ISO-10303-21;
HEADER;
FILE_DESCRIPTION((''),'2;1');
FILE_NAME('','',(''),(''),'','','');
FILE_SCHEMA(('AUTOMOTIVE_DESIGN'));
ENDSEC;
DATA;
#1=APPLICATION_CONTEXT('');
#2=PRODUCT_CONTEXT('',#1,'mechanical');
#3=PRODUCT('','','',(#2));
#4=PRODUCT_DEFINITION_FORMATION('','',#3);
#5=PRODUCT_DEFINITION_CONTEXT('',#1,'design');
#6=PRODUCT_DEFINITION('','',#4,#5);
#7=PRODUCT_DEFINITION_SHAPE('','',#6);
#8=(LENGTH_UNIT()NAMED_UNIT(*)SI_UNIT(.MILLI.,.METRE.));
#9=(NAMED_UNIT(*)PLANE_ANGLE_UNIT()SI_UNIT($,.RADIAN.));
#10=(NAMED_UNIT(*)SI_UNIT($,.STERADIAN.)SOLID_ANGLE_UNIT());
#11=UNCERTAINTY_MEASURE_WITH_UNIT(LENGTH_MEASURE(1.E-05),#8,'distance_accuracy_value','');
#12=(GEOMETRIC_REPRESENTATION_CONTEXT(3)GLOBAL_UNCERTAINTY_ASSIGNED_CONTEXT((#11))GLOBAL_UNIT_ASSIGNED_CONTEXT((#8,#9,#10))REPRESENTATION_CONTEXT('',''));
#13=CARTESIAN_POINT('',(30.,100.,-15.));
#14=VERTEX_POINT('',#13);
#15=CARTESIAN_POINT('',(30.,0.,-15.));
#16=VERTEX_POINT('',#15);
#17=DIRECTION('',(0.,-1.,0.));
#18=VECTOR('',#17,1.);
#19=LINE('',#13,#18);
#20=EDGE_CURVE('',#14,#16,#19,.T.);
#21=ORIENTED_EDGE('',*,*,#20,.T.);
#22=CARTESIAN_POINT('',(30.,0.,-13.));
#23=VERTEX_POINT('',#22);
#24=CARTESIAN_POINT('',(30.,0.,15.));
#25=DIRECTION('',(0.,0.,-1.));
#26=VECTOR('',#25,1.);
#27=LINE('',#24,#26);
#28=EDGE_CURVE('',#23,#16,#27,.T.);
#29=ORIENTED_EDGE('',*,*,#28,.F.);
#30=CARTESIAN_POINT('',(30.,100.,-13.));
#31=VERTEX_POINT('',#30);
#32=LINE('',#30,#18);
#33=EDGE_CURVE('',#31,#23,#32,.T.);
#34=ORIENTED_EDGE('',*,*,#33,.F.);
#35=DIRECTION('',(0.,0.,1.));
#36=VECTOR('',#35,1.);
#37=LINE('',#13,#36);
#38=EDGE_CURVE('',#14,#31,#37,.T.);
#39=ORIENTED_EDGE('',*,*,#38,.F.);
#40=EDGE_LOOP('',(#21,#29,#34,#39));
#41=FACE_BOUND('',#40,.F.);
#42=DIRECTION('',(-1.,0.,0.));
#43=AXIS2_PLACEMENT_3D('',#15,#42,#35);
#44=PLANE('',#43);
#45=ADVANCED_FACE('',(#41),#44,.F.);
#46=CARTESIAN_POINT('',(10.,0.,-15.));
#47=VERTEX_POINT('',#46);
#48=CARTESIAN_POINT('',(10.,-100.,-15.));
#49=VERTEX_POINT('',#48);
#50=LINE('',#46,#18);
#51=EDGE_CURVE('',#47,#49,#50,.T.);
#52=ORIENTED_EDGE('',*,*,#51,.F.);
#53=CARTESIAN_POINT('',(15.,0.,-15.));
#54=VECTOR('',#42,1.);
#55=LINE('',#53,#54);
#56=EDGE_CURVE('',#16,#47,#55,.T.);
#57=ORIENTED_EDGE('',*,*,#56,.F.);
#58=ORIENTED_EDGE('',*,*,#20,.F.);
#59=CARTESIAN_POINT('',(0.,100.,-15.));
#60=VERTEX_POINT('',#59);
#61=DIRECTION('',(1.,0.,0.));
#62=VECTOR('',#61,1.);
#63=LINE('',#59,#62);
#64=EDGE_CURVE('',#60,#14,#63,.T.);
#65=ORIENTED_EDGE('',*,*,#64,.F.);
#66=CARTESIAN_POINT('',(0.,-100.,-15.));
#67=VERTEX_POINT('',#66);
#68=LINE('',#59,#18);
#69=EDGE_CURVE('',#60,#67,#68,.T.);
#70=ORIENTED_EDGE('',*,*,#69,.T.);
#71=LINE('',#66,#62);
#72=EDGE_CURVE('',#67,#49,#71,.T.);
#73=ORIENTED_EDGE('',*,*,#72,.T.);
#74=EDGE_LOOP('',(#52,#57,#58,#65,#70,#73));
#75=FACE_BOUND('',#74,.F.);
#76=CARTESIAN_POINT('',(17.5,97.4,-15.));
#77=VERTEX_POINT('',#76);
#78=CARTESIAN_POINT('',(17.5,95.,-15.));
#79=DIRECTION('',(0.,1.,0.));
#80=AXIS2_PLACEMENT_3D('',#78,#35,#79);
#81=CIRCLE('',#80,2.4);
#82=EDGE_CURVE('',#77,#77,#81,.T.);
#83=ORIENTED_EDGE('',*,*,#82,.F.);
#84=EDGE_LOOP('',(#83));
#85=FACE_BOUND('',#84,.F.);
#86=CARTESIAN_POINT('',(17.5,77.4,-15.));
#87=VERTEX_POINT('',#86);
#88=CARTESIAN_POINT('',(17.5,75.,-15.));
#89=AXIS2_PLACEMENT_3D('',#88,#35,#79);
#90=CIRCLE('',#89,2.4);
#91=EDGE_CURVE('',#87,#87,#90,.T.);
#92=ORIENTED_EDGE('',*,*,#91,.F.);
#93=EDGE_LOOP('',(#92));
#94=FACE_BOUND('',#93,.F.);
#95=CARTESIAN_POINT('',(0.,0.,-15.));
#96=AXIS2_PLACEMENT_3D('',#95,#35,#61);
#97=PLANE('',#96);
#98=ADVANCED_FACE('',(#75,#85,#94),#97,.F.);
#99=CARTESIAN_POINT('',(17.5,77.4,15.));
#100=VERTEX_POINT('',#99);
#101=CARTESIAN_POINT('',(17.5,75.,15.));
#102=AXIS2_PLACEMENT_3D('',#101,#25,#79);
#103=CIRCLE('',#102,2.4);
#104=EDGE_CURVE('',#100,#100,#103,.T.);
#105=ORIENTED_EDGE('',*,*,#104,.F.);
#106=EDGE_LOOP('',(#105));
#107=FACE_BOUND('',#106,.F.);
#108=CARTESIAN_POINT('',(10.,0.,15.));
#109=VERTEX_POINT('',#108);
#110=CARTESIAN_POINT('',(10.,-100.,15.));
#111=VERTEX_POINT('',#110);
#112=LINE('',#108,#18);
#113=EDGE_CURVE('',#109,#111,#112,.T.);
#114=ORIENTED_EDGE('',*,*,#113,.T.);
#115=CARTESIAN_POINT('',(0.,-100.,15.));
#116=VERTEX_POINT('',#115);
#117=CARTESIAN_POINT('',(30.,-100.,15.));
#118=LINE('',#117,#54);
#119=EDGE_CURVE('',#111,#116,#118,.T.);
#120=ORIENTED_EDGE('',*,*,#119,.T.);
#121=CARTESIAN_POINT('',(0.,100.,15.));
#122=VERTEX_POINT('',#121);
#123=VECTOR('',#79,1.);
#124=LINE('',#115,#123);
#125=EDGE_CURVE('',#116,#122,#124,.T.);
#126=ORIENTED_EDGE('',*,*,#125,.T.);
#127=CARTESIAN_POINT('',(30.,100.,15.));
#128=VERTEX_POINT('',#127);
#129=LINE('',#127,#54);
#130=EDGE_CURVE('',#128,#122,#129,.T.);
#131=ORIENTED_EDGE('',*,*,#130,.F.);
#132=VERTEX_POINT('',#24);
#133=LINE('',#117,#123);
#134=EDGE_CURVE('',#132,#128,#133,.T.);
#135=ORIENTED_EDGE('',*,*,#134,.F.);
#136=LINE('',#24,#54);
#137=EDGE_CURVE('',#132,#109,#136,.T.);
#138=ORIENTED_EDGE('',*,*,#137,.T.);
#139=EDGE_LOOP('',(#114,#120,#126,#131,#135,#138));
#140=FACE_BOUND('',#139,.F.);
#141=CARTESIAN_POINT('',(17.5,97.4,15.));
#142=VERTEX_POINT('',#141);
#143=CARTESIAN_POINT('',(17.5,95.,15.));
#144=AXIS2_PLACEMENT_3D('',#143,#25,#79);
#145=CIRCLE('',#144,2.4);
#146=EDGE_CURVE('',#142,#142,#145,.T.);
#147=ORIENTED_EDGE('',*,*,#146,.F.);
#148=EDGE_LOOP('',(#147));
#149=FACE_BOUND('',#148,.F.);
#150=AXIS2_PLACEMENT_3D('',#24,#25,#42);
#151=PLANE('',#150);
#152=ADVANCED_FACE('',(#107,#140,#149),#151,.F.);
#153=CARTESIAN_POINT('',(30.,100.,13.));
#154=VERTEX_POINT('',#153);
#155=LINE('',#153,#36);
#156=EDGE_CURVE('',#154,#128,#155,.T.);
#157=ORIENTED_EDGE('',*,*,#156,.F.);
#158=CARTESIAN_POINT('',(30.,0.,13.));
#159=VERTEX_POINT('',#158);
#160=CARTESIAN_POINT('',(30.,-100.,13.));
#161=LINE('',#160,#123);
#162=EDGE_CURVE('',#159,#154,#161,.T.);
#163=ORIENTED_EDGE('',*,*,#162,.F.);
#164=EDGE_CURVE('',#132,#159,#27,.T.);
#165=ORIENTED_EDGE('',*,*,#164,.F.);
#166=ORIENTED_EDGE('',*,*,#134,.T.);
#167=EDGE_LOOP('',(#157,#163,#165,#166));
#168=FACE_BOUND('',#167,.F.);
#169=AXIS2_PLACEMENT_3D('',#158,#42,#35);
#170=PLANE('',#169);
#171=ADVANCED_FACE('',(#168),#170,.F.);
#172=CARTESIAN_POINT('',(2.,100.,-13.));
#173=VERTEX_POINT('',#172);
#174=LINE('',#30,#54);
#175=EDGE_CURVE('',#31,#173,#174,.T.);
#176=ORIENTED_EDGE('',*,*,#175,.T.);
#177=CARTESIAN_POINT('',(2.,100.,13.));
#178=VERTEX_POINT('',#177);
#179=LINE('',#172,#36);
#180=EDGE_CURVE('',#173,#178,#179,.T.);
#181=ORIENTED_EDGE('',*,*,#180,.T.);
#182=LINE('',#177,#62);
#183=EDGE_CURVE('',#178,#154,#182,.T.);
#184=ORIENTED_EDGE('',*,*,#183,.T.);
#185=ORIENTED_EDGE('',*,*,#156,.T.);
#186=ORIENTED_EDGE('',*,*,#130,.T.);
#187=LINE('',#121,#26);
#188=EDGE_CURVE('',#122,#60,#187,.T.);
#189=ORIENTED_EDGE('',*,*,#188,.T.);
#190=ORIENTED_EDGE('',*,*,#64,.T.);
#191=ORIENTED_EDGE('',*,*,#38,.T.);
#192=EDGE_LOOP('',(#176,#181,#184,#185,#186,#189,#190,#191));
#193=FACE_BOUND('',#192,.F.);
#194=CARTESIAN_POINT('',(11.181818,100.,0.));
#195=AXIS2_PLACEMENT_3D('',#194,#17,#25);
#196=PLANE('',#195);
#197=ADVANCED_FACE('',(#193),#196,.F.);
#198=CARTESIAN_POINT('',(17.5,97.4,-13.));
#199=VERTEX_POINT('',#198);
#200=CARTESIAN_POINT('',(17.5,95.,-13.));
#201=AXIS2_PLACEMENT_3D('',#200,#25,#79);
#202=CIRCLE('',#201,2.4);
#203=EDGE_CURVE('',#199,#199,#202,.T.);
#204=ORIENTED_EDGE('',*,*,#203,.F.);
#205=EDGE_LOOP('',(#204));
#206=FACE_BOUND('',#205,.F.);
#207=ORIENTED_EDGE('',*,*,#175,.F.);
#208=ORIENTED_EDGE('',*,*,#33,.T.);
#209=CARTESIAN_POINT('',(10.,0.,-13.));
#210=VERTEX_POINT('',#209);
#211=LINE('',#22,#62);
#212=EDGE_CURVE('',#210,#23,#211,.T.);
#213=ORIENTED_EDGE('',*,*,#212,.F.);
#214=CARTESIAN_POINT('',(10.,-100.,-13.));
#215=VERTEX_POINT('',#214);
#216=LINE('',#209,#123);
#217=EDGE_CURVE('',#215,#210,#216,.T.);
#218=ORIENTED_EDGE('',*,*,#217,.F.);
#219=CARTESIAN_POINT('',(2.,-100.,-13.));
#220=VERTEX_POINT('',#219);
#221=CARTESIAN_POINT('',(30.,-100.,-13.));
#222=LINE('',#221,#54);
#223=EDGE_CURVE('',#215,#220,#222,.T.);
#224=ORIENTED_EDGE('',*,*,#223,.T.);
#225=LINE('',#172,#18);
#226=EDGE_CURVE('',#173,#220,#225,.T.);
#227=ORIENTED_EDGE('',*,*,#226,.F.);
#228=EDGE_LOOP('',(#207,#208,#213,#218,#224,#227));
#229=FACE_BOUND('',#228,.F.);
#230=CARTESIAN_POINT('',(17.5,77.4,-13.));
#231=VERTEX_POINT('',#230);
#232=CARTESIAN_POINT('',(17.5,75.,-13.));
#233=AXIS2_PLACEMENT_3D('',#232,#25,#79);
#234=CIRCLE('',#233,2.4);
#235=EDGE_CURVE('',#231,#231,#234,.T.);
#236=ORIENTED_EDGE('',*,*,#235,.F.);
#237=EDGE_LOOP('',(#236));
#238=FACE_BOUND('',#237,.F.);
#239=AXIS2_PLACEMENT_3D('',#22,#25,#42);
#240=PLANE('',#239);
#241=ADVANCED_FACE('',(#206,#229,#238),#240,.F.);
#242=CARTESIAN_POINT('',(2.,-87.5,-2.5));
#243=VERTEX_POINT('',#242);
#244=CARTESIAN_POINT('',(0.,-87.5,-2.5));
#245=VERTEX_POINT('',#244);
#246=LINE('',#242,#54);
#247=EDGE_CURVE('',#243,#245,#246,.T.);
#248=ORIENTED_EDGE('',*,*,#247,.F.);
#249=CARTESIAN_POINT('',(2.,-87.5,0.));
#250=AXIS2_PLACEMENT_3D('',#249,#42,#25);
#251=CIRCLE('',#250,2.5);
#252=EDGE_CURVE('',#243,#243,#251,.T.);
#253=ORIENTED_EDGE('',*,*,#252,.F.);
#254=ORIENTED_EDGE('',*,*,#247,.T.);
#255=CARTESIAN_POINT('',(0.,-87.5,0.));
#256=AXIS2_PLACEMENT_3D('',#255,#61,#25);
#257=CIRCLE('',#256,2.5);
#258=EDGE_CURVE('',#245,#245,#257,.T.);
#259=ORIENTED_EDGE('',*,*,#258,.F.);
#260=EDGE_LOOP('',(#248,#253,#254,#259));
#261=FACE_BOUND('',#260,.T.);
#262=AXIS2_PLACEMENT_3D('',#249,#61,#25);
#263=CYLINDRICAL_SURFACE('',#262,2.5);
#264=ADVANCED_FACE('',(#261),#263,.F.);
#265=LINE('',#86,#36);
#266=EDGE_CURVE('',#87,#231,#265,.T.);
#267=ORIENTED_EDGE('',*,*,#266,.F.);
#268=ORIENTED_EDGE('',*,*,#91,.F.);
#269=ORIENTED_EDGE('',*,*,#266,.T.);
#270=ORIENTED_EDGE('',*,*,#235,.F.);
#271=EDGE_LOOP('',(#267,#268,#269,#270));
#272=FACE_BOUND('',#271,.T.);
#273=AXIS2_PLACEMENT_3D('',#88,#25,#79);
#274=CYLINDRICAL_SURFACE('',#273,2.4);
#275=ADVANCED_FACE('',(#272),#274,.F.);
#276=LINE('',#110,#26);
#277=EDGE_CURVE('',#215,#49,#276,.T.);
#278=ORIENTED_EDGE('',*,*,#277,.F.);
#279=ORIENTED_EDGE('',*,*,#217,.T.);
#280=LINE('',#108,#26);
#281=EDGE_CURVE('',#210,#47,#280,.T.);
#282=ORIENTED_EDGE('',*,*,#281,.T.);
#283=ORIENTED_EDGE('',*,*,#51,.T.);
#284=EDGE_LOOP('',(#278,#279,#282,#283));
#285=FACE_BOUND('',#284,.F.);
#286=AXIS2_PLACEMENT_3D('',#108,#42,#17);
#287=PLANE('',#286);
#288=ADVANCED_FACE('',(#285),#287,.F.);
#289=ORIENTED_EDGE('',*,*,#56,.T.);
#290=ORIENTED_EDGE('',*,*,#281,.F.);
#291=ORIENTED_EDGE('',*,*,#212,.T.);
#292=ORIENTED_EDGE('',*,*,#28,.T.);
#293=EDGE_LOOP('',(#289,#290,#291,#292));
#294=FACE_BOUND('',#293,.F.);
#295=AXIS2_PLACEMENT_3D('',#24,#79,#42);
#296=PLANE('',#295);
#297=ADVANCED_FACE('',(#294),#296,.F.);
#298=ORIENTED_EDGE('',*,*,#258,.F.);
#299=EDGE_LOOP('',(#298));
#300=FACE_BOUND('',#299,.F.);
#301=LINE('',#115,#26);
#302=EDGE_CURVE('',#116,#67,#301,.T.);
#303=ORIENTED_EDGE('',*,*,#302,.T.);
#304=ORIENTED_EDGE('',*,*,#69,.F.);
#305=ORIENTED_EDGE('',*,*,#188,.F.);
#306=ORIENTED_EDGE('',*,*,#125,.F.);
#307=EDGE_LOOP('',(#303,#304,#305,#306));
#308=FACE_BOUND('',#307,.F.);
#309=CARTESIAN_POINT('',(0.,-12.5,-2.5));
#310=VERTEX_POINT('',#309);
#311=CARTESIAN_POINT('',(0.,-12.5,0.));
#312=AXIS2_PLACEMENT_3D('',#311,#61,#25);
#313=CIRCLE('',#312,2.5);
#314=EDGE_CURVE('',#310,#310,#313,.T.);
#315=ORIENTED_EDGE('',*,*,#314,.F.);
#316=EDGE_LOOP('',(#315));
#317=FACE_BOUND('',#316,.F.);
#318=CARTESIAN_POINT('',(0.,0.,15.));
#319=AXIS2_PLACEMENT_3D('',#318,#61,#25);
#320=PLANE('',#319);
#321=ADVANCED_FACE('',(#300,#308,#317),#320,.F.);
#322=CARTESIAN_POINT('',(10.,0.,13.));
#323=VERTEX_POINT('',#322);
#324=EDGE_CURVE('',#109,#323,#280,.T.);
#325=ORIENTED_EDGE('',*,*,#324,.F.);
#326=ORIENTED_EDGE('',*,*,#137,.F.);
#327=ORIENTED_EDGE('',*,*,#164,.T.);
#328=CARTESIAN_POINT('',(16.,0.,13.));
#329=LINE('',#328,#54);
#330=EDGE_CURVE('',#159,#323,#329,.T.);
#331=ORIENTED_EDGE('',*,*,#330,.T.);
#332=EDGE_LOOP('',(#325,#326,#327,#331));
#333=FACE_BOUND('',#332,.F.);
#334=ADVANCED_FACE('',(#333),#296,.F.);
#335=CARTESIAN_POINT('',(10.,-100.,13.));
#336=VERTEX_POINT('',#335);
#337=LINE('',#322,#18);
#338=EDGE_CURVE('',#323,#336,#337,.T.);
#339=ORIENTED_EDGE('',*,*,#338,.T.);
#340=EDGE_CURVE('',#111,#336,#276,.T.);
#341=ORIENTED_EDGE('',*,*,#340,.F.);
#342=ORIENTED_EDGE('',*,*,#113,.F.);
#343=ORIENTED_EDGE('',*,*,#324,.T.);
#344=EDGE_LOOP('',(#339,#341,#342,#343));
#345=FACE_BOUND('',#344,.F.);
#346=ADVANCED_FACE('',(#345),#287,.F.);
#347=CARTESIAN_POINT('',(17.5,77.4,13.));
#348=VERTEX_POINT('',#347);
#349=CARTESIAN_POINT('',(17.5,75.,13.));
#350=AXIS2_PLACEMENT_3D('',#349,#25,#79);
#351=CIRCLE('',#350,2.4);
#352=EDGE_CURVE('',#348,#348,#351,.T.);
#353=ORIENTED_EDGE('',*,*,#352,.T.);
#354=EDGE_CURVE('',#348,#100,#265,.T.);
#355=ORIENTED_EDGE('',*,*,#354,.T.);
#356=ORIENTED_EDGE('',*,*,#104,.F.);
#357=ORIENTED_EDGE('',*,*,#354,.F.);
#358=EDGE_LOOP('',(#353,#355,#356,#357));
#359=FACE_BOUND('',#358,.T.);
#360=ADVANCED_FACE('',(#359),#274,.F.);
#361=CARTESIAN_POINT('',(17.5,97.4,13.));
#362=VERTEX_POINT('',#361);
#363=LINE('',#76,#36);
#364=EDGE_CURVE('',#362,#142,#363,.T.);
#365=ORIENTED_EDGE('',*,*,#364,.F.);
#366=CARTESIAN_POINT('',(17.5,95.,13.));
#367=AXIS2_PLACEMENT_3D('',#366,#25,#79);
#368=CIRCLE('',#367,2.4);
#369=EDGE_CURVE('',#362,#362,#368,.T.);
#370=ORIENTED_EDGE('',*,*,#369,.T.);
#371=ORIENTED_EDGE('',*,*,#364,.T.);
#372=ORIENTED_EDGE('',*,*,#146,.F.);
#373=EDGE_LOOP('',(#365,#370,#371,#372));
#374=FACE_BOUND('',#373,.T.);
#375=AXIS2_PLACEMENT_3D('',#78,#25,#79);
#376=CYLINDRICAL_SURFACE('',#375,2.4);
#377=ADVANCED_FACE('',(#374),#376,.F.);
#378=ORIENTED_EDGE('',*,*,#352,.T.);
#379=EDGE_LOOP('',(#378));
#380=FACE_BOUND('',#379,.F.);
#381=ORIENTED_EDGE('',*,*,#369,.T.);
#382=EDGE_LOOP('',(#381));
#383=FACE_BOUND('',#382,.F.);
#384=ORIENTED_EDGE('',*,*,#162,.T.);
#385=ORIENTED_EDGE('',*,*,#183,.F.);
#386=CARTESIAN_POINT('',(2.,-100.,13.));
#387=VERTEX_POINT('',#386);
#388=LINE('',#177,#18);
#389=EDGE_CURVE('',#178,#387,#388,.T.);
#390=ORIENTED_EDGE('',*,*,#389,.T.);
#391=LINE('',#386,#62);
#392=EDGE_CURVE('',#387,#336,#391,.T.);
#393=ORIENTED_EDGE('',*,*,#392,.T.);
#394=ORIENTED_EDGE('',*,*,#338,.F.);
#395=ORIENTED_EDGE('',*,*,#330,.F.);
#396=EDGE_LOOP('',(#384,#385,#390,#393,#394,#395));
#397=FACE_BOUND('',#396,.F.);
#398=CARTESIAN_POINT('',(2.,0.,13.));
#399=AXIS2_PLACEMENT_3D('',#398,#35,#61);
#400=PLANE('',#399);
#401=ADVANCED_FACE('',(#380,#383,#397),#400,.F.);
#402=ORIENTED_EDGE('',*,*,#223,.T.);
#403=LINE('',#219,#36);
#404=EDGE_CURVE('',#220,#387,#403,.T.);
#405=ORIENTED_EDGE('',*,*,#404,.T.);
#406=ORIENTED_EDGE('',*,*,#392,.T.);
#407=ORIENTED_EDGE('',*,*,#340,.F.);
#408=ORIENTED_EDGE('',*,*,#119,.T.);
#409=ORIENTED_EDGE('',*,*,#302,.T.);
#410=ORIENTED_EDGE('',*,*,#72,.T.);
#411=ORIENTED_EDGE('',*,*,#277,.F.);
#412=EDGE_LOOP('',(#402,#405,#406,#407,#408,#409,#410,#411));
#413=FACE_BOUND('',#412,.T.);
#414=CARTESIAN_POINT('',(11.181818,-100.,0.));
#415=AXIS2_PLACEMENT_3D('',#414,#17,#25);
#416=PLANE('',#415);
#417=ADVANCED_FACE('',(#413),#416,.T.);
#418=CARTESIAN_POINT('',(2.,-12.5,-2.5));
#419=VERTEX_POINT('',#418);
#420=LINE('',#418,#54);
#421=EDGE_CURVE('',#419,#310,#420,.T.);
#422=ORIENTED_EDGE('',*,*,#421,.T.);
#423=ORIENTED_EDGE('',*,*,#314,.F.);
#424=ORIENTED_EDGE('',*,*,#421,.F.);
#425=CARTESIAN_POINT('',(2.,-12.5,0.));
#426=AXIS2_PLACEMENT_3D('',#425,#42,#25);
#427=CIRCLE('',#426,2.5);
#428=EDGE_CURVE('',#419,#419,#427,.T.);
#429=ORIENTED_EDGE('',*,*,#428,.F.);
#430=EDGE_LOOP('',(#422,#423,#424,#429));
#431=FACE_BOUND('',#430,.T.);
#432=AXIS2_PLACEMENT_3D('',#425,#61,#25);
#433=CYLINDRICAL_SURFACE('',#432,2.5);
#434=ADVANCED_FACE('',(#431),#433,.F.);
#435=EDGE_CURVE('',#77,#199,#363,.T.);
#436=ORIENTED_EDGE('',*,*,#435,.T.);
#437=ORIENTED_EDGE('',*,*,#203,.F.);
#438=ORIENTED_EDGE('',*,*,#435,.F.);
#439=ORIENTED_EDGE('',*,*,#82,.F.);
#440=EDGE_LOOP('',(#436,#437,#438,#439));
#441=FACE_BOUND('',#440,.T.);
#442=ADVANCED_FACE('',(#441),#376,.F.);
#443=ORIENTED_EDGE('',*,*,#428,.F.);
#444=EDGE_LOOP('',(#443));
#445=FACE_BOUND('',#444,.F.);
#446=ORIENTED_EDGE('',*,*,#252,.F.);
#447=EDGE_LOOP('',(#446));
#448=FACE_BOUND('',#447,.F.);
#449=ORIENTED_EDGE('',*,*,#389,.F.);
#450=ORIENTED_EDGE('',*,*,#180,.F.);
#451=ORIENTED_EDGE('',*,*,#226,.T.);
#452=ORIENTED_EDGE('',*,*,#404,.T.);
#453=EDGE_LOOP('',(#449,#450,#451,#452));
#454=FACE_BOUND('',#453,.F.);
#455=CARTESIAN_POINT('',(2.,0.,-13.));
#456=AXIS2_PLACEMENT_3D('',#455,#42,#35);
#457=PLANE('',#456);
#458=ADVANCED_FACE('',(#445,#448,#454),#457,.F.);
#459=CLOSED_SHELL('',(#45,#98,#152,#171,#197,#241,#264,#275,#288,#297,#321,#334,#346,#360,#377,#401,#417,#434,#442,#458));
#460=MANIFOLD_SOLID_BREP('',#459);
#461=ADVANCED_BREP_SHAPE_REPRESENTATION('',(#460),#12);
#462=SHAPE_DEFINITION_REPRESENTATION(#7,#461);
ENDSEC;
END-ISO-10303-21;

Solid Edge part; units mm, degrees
sketch "Sketch1" plane through (0, 0, 0) normal (0, -1, 0) x (1, 0, 0)
  line L0 (0, 15) -> (0, -15)
  line L1 (0, -15) -> (30, -15)
  line L2 (30, -15) -> (30, -13)
  line L3 (30, -13) -> (2, -13)
  line L4 (2, -13) -> (2, 13)
  line L5 (2, 13) -> (30, 13)
  line L6 (30, 13) -> (30, 15)
  line L7 (30, 15) -> (0, 15)
  dimension "D1" = 2
  dimension "D2" = 30
  dimension "D3" = 28
extrude "Protrusion1" add sketch "Sketch1" along normal mid plane 200
sketch "Sketch2" plane through (15, 0, 15) normal (0, 0, 1) x (0, -1, 0)
  line L0 (0, 15) -> (0, -5)
  line L1 (0, -5) -> (100, -5)
  line L2 (100, -5) -> (100, 15)
  line L3 (100, 15) -> (0, 15)
  dimension "D1" = 20
extrude "Cutout1" cut sketch "Sketch2" against normal through all
hole "Hole_1" at (2, -87.5, 0) direction (-1, 0, 0) diameter 5 end up to next
hole "Hole1" at (2, -12.5, 0) direction (-1, 0, 0) diameter 5 end up to next
hole "Hole_3" at (17.5, 95, -15) direction (0, 0, 1) diameter 4.8 end through all
hole "Hole2" at (17.5, 75, -15) direction (0, 0, 1) diameter 4.8 end through all
properties material "Aluminum, 1060"
